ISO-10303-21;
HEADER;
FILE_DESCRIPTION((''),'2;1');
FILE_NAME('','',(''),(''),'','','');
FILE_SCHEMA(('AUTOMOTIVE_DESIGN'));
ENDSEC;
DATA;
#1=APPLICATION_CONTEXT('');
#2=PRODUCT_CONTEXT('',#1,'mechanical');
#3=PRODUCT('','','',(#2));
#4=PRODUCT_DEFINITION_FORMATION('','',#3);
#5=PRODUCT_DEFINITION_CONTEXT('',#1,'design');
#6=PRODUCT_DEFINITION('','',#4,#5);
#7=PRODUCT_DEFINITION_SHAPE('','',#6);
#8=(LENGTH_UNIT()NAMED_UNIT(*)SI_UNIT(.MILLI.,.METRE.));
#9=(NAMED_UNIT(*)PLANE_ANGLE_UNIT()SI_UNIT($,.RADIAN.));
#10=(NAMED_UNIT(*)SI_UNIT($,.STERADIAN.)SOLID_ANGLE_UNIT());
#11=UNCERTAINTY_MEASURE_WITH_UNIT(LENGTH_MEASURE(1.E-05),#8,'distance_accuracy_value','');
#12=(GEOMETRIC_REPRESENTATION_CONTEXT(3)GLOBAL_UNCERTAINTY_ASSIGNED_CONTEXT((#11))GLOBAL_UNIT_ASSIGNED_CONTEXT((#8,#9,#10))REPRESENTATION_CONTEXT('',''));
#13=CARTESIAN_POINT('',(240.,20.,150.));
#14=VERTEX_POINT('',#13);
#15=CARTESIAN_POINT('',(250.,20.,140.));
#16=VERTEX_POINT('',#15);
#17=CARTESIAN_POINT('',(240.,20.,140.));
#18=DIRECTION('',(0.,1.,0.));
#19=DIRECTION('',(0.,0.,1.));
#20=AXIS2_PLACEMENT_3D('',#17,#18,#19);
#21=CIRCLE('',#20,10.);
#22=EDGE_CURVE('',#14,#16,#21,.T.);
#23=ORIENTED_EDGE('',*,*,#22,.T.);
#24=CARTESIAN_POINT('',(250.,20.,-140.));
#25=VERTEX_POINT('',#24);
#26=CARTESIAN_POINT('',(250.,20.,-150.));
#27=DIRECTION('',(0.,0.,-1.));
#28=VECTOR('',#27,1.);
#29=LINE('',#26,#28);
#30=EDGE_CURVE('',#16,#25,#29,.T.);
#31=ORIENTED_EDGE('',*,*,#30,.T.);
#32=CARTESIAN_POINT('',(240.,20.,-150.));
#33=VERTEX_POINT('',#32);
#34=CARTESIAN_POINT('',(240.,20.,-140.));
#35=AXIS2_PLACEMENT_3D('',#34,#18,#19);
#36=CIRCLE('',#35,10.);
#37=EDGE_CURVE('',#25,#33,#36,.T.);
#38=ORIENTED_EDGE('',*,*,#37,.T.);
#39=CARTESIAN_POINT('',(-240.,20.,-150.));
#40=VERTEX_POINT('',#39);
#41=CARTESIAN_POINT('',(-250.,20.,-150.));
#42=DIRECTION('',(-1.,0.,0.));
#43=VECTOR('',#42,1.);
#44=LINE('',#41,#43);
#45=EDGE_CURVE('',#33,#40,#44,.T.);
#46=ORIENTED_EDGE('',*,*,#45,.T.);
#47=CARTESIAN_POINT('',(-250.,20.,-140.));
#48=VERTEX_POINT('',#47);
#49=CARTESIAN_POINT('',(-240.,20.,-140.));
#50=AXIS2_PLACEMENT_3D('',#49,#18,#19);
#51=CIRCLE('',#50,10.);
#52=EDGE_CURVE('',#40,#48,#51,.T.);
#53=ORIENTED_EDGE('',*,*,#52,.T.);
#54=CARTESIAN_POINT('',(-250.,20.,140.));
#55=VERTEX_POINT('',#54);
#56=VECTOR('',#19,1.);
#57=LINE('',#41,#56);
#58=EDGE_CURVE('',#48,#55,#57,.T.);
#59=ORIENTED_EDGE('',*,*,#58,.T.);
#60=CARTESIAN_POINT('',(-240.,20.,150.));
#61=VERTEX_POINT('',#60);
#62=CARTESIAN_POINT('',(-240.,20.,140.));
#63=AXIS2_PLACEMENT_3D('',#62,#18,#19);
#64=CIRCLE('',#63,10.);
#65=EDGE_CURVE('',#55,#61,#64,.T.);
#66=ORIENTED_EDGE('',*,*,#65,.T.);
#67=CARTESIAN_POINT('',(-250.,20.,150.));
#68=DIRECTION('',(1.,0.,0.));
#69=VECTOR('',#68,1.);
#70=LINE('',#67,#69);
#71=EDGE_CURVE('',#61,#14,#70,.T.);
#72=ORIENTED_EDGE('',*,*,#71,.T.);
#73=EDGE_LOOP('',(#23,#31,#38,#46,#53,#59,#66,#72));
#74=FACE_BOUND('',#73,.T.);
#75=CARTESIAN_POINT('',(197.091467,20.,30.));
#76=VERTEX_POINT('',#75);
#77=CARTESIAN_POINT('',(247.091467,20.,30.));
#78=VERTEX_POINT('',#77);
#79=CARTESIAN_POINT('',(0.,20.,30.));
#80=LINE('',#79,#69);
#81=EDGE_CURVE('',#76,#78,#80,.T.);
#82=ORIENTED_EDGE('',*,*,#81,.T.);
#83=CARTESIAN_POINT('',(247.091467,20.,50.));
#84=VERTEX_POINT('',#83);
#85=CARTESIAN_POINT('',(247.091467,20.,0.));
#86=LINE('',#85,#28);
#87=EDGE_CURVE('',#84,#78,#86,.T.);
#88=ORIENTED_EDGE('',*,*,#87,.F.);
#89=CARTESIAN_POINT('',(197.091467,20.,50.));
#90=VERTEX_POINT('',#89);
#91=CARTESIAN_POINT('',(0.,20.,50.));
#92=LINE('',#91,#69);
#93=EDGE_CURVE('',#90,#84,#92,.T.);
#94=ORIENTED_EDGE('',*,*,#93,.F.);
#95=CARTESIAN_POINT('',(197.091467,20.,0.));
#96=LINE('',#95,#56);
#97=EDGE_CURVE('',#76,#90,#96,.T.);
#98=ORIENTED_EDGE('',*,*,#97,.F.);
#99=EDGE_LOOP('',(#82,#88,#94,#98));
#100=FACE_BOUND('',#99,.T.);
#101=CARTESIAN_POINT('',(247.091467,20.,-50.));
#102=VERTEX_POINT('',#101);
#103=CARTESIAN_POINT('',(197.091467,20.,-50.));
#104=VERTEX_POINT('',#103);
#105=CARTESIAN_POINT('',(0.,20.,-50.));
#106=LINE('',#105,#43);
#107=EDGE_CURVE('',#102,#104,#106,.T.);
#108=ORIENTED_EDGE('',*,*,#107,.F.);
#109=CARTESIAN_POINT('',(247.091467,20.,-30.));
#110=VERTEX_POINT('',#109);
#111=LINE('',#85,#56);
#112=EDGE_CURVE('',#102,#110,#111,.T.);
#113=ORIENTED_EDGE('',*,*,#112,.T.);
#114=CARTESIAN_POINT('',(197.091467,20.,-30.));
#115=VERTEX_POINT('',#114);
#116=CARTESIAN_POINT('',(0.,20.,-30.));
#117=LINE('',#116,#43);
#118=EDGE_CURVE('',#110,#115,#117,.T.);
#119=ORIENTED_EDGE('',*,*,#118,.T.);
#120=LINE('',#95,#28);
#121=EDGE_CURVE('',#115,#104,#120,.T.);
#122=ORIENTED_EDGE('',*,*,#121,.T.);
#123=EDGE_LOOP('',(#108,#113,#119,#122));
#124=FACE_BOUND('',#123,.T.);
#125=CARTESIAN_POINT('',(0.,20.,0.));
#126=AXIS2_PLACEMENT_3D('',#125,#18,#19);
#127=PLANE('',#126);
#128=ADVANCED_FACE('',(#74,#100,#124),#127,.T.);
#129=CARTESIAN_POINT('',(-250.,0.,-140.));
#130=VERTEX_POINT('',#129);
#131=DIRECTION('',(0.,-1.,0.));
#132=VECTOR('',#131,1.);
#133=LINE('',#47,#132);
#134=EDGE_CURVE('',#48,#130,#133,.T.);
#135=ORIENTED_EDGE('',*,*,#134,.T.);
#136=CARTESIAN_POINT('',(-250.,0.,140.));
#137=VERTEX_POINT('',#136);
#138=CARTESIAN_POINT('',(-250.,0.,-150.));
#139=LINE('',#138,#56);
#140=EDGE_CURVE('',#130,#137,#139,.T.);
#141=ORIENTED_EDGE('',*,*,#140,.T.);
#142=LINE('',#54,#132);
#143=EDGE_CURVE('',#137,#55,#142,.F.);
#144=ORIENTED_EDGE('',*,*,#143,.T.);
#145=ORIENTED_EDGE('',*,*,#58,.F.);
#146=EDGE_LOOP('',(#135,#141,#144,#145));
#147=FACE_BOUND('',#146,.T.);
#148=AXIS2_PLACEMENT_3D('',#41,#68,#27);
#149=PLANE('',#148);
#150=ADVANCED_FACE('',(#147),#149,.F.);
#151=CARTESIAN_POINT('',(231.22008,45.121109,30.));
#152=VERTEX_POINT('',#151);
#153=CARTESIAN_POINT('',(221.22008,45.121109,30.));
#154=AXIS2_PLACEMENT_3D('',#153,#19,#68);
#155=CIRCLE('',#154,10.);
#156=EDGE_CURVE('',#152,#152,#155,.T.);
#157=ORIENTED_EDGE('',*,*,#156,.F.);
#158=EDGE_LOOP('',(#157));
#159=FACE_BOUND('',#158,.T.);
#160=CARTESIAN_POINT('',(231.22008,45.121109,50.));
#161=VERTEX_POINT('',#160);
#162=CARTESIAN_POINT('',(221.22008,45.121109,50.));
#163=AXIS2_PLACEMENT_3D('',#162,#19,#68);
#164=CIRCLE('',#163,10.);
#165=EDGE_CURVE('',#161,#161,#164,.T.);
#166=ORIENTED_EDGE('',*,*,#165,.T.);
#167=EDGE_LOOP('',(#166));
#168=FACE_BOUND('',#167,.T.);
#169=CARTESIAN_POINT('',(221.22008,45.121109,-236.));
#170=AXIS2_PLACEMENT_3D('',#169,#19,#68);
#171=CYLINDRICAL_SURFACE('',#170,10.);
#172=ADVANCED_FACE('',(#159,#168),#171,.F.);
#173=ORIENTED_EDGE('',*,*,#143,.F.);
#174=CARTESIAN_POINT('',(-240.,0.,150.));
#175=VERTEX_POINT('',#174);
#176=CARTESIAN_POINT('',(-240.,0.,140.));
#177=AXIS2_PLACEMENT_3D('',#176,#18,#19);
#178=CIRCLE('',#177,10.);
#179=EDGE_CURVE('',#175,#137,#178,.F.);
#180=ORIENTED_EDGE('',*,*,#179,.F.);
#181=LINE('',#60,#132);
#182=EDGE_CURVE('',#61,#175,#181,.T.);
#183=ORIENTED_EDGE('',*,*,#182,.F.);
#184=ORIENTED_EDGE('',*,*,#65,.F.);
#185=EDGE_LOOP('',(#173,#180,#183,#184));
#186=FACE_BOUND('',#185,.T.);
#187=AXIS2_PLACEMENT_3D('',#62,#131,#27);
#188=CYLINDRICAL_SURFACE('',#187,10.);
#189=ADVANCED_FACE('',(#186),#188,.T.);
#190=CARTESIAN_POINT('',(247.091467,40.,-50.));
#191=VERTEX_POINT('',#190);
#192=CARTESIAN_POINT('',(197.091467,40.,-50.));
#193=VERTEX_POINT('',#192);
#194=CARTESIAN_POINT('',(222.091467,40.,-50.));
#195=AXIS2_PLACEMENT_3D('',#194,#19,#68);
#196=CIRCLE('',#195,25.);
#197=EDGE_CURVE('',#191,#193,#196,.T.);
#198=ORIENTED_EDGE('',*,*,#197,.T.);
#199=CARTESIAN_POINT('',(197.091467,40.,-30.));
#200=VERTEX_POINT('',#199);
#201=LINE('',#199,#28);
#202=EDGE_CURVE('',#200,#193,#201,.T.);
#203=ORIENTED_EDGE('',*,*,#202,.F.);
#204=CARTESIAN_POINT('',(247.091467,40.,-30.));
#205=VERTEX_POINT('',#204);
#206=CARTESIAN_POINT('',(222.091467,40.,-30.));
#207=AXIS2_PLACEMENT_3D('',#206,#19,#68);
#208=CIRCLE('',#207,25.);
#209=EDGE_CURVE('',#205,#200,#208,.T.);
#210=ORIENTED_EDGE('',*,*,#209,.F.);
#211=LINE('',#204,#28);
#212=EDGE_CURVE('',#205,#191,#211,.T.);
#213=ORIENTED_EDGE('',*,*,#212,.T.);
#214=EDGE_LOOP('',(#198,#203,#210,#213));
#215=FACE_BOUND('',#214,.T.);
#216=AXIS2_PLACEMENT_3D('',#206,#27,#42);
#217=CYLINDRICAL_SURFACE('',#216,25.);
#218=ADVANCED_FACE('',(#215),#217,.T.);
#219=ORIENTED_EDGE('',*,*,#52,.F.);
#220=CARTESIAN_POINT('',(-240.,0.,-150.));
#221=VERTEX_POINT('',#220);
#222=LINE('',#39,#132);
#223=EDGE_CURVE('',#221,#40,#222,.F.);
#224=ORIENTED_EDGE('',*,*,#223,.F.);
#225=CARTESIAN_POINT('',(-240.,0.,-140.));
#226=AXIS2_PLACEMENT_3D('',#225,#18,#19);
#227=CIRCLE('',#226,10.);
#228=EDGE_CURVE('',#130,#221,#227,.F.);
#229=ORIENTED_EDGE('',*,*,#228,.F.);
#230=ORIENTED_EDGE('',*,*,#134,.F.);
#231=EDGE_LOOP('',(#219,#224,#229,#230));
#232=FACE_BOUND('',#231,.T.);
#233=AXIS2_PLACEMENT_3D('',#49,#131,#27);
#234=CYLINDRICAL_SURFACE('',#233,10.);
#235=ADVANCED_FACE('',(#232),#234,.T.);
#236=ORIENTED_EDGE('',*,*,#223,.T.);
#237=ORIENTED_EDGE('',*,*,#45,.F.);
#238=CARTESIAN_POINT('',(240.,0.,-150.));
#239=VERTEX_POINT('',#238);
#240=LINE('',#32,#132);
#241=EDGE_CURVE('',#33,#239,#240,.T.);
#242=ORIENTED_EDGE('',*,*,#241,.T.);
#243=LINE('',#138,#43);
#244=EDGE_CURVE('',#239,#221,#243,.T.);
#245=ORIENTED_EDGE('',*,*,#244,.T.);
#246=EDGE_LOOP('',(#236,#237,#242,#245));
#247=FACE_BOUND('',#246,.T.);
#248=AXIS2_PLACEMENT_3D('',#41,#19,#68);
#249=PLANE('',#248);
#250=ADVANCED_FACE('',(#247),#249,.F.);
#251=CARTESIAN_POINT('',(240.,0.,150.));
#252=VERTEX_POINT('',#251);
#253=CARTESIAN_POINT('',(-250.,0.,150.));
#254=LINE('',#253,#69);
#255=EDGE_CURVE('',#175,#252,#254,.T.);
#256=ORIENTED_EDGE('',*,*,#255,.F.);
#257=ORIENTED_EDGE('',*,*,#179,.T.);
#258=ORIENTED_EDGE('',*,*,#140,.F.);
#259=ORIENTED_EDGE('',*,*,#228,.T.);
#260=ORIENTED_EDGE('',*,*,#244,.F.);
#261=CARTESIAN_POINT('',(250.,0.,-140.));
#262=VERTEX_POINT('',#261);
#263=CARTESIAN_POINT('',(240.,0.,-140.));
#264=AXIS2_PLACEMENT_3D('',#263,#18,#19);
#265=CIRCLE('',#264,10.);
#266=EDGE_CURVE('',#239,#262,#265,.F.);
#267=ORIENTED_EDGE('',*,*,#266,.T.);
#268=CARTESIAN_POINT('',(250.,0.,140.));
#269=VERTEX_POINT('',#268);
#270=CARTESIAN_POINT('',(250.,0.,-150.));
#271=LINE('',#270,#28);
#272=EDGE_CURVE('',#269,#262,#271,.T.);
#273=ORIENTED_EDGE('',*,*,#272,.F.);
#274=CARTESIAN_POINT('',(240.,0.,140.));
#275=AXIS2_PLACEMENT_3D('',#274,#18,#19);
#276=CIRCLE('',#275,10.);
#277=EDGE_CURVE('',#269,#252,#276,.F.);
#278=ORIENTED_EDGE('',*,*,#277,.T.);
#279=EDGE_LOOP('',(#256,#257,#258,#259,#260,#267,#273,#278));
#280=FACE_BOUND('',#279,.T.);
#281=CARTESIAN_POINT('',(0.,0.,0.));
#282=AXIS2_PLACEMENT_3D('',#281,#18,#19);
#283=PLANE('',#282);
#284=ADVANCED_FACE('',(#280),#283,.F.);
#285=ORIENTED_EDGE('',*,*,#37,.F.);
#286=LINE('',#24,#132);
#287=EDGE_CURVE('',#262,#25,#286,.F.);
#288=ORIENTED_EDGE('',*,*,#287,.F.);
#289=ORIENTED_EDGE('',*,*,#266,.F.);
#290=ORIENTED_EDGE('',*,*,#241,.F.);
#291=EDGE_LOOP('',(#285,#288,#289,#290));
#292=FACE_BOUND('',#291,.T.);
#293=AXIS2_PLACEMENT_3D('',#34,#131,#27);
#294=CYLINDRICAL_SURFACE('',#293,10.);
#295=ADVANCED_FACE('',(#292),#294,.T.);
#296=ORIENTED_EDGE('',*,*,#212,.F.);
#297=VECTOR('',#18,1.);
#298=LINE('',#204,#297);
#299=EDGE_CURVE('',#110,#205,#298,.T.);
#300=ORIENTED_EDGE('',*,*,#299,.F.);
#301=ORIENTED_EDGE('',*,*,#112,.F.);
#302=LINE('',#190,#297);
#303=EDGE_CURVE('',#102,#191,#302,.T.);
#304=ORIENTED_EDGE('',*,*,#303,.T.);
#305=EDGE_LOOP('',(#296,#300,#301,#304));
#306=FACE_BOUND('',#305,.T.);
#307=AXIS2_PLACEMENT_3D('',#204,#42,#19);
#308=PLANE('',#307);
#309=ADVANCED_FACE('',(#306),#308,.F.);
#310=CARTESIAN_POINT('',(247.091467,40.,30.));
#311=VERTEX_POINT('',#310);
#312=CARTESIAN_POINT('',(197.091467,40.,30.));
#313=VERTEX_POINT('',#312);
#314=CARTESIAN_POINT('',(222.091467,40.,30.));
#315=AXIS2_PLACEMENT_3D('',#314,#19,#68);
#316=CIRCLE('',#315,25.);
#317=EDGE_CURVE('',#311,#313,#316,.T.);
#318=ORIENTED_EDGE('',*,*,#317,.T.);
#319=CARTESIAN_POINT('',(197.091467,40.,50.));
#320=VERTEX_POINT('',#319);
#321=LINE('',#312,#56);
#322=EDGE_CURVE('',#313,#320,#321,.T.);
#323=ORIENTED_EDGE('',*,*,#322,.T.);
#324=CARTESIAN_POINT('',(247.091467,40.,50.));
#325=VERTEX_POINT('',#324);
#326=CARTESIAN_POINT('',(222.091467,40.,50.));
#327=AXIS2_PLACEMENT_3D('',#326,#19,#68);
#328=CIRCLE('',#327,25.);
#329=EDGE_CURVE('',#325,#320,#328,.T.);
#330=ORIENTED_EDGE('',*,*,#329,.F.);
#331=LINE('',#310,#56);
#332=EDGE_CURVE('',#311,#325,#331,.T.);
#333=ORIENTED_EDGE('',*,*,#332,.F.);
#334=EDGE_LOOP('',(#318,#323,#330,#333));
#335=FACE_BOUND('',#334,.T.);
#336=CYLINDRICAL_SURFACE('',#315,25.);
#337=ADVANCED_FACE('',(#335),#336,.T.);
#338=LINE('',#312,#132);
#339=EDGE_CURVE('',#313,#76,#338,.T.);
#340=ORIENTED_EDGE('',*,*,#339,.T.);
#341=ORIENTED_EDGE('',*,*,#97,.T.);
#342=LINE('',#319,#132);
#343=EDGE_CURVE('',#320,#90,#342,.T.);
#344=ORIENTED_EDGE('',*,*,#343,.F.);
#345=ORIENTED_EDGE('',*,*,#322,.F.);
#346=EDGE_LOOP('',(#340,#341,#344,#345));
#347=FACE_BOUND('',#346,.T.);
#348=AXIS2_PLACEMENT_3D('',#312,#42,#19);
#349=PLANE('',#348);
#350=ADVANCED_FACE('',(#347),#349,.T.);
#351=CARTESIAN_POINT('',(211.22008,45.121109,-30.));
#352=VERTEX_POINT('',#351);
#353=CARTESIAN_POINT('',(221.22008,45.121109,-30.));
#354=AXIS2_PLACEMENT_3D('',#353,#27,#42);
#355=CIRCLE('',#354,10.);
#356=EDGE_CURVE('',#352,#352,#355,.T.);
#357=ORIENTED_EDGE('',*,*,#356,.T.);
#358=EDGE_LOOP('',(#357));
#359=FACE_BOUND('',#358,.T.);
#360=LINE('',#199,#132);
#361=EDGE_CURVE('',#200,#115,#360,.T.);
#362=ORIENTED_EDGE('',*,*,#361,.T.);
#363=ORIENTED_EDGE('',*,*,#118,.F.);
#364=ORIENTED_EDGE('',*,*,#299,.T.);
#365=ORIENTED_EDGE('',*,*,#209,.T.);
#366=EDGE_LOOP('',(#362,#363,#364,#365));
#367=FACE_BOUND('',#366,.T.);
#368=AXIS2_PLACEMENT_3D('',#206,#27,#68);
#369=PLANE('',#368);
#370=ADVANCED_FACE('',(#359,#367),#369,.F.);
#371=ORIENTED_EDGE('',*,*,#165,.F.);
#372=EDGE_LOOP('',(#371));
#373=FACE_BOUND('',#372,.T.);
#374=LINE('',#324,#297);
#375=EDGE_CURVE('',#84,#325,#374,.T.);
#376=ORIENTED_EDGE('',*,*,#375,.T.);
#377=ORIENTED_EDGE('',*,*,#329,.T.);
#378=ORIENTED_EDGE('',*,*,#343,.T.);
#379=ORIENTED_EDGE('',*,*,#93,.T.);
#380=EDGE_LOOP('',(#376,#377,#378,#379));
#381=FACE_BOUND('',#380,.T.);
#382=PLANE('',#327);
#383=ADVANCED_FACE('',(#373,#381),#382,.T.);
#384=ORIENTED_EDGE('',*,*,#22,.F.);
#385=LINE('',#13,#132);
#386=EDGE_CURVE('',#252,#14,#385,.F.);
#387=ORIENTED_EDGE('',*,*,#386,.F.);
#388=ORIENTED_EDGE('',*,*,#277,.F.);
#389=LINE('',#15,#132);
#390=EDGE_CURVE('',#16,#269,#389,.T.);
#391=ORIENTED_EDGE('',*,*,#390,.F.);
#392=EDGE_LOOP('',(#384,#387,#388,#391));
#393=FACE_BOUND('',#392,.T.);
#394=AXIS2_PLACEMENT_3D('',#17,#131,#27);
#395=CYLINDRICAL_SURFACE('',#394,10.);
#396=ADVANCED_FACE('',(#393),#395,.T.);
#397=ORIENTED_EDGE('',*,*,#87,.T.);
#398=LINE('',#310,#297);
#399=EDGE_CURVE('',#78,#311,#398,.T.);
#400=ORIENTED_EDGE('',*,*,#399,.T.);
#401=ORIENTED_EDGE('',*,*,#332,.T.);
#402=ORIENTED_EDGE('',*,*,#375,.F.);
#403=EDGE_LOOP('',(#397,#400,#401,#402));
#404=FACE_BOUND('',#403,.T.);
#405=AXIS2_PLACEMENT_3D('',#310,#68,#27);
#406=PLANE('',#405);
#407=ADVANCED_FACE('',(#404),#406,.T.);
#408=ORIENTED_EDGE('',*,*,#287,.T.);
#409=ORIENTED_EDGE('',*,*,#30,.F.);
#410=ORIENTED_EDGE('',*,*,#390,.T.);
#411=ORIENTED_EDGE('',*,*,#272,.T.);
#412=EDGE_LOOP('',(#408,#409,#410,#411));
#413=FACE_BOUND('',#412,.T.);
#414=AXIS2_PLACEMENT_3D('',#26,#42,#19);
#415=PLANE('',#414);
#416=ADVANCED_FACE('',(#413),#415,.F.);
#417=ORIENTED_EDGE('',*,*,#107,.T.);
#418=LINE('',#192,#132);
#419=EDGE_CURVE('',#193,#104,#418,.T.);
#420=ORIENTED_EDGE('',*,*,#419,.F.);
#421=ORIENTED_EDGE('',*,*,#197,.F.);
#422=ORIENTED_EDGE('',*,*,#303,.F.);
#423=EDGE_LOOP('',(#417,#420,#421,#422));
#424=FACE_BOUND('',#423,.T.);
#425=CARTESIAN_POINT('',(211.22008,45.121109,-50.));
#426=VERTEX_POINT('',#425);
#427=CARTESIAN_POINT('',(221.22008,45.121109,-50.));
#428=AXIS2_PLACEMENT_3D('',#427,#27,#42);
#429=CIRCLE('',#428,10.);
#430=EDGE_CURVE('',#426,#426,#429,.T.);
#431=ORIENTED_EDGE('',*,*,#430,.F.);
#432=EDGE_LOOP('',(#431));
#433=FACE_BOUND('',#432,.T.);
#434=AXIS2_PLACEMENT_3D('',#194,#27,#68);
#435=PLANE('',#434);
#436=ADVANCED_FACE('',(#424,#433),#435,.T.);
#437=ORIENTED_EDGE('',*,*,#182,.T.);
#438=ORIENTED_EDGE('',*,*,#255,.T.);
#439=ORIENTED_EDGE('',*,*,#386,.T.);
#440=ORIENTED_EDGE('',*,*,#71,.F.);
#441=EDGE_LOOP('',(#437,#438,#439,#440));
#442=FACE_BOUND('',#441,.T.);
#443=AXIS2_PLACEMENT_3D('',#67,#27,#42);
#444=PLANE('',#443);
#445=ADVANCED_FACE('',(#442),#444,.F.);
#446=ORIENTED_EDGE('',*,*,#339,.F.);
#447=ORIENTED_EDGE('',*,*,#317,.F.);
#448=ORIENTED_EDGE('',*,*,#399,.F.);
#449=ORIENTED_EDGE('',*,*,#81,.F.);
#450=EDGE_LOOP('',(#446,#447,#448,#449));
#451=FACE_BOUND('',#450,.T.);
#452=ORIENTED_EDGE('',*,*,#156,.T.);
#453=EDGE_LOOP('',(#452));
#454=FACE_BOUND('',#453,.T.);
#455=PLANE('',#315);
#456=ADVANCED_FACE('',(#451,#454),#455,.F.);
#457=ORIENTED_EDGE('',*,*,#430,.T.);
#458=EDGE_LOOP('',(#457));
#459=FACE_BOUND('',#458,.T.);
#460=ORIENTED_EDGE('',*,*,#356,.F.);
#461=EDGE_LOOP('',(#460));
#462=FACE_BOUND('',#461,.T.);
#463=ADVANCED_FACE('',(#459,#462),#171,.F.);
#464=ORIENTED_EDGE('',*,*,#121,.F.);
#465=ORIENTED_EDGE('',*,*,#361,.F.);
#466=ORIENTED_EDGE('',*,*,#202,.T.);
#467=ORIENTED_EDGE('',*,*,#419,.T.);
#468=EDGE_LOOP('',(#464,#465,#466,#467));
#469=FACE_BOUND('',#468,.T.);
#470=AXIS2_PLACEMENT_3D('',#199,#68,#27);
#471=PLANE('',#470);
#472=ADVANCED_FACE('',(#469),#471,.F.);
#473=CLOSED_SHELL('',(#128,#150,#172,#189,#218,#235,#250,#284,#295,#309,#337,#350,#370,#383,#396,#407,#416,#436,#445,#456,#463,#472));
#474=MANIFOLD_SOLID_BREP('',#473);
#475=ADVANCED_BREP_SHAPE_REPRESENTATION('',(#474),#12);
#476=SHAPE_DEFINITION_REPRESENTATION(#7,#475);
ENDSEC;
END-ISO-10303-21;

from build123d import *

# Parameters (mm, degrees)
SKETCH1_W           = 500
SKETCH1_H           = 300
BOSS_EXTRUDE1_DEPTH = 20
BOSS_EXTRUDE2_START = -100
BOSS_EXTRUDE2_DEPTH = 20
SKETCH3_R           = 10
CUT_EXTRUDE1_DEPTH  = 286
FILLET1_R           = 10


with BuildPart() as part:
    # Sketch1 → Boss-Extrude1 (new body)
    with BuildSketch(Plane(origin=(0, 0, 0), x_dir=(1, 0, 0), z_dir=(0, 1, 0))):
        Rectangle(SKETCH1_W, SKETCH1_H)
    extrude(amount=BOSS_EXTRUDE1_DEPTH)

    # Sketch2 → Boss-Extrude2 (add)
    with BuildSketch(Plane.XY.offset(150).offset(BOSS_EXTRUDE2_START)):
        with BuildLine():
            Line((197.091467049, 40), (197.091467049, 0))
            Line((197.091467049, 0), (247.091467049, 0))
            Line((247.091467049, 0), (247.091467049, 40))
            ThreePointArc((247.091467049, 40), (222.091467049, 65), (197.091467049, 40))
        make_face()
    boss_extrude2 = extrude(amount=-BOSS_EXTRUDE2_DEPTH)

    # Mirror1: Boss-Extrude2 across plane
    add(boss_extrude2.mirror(Plane.XY))

    # Sketch3 → Cut-Extrude1 (cut)
    with BuildSketch(Plane.XY.offset(50)):
        with Locations(Location((221.220080181, 45.121109354, 0), (0, 0, 180))):
            Circle(SKETCH3_R)
    extrude(amount=-CUT_EXTRUDE1_DEPTH, mode=Mode.SUBTRACT)

    # Fillet1
    fillet1_edges = [part.edges().sort_by_distance(p)[0] for p in [
        (250, 10, 150),
        (-250, 10, 150),
        (-250, 10, -150),
        (250, 10, -150),
    ]]
    fillet(fillet1_edges, radius=FILLET1_R)


solid = part.part
